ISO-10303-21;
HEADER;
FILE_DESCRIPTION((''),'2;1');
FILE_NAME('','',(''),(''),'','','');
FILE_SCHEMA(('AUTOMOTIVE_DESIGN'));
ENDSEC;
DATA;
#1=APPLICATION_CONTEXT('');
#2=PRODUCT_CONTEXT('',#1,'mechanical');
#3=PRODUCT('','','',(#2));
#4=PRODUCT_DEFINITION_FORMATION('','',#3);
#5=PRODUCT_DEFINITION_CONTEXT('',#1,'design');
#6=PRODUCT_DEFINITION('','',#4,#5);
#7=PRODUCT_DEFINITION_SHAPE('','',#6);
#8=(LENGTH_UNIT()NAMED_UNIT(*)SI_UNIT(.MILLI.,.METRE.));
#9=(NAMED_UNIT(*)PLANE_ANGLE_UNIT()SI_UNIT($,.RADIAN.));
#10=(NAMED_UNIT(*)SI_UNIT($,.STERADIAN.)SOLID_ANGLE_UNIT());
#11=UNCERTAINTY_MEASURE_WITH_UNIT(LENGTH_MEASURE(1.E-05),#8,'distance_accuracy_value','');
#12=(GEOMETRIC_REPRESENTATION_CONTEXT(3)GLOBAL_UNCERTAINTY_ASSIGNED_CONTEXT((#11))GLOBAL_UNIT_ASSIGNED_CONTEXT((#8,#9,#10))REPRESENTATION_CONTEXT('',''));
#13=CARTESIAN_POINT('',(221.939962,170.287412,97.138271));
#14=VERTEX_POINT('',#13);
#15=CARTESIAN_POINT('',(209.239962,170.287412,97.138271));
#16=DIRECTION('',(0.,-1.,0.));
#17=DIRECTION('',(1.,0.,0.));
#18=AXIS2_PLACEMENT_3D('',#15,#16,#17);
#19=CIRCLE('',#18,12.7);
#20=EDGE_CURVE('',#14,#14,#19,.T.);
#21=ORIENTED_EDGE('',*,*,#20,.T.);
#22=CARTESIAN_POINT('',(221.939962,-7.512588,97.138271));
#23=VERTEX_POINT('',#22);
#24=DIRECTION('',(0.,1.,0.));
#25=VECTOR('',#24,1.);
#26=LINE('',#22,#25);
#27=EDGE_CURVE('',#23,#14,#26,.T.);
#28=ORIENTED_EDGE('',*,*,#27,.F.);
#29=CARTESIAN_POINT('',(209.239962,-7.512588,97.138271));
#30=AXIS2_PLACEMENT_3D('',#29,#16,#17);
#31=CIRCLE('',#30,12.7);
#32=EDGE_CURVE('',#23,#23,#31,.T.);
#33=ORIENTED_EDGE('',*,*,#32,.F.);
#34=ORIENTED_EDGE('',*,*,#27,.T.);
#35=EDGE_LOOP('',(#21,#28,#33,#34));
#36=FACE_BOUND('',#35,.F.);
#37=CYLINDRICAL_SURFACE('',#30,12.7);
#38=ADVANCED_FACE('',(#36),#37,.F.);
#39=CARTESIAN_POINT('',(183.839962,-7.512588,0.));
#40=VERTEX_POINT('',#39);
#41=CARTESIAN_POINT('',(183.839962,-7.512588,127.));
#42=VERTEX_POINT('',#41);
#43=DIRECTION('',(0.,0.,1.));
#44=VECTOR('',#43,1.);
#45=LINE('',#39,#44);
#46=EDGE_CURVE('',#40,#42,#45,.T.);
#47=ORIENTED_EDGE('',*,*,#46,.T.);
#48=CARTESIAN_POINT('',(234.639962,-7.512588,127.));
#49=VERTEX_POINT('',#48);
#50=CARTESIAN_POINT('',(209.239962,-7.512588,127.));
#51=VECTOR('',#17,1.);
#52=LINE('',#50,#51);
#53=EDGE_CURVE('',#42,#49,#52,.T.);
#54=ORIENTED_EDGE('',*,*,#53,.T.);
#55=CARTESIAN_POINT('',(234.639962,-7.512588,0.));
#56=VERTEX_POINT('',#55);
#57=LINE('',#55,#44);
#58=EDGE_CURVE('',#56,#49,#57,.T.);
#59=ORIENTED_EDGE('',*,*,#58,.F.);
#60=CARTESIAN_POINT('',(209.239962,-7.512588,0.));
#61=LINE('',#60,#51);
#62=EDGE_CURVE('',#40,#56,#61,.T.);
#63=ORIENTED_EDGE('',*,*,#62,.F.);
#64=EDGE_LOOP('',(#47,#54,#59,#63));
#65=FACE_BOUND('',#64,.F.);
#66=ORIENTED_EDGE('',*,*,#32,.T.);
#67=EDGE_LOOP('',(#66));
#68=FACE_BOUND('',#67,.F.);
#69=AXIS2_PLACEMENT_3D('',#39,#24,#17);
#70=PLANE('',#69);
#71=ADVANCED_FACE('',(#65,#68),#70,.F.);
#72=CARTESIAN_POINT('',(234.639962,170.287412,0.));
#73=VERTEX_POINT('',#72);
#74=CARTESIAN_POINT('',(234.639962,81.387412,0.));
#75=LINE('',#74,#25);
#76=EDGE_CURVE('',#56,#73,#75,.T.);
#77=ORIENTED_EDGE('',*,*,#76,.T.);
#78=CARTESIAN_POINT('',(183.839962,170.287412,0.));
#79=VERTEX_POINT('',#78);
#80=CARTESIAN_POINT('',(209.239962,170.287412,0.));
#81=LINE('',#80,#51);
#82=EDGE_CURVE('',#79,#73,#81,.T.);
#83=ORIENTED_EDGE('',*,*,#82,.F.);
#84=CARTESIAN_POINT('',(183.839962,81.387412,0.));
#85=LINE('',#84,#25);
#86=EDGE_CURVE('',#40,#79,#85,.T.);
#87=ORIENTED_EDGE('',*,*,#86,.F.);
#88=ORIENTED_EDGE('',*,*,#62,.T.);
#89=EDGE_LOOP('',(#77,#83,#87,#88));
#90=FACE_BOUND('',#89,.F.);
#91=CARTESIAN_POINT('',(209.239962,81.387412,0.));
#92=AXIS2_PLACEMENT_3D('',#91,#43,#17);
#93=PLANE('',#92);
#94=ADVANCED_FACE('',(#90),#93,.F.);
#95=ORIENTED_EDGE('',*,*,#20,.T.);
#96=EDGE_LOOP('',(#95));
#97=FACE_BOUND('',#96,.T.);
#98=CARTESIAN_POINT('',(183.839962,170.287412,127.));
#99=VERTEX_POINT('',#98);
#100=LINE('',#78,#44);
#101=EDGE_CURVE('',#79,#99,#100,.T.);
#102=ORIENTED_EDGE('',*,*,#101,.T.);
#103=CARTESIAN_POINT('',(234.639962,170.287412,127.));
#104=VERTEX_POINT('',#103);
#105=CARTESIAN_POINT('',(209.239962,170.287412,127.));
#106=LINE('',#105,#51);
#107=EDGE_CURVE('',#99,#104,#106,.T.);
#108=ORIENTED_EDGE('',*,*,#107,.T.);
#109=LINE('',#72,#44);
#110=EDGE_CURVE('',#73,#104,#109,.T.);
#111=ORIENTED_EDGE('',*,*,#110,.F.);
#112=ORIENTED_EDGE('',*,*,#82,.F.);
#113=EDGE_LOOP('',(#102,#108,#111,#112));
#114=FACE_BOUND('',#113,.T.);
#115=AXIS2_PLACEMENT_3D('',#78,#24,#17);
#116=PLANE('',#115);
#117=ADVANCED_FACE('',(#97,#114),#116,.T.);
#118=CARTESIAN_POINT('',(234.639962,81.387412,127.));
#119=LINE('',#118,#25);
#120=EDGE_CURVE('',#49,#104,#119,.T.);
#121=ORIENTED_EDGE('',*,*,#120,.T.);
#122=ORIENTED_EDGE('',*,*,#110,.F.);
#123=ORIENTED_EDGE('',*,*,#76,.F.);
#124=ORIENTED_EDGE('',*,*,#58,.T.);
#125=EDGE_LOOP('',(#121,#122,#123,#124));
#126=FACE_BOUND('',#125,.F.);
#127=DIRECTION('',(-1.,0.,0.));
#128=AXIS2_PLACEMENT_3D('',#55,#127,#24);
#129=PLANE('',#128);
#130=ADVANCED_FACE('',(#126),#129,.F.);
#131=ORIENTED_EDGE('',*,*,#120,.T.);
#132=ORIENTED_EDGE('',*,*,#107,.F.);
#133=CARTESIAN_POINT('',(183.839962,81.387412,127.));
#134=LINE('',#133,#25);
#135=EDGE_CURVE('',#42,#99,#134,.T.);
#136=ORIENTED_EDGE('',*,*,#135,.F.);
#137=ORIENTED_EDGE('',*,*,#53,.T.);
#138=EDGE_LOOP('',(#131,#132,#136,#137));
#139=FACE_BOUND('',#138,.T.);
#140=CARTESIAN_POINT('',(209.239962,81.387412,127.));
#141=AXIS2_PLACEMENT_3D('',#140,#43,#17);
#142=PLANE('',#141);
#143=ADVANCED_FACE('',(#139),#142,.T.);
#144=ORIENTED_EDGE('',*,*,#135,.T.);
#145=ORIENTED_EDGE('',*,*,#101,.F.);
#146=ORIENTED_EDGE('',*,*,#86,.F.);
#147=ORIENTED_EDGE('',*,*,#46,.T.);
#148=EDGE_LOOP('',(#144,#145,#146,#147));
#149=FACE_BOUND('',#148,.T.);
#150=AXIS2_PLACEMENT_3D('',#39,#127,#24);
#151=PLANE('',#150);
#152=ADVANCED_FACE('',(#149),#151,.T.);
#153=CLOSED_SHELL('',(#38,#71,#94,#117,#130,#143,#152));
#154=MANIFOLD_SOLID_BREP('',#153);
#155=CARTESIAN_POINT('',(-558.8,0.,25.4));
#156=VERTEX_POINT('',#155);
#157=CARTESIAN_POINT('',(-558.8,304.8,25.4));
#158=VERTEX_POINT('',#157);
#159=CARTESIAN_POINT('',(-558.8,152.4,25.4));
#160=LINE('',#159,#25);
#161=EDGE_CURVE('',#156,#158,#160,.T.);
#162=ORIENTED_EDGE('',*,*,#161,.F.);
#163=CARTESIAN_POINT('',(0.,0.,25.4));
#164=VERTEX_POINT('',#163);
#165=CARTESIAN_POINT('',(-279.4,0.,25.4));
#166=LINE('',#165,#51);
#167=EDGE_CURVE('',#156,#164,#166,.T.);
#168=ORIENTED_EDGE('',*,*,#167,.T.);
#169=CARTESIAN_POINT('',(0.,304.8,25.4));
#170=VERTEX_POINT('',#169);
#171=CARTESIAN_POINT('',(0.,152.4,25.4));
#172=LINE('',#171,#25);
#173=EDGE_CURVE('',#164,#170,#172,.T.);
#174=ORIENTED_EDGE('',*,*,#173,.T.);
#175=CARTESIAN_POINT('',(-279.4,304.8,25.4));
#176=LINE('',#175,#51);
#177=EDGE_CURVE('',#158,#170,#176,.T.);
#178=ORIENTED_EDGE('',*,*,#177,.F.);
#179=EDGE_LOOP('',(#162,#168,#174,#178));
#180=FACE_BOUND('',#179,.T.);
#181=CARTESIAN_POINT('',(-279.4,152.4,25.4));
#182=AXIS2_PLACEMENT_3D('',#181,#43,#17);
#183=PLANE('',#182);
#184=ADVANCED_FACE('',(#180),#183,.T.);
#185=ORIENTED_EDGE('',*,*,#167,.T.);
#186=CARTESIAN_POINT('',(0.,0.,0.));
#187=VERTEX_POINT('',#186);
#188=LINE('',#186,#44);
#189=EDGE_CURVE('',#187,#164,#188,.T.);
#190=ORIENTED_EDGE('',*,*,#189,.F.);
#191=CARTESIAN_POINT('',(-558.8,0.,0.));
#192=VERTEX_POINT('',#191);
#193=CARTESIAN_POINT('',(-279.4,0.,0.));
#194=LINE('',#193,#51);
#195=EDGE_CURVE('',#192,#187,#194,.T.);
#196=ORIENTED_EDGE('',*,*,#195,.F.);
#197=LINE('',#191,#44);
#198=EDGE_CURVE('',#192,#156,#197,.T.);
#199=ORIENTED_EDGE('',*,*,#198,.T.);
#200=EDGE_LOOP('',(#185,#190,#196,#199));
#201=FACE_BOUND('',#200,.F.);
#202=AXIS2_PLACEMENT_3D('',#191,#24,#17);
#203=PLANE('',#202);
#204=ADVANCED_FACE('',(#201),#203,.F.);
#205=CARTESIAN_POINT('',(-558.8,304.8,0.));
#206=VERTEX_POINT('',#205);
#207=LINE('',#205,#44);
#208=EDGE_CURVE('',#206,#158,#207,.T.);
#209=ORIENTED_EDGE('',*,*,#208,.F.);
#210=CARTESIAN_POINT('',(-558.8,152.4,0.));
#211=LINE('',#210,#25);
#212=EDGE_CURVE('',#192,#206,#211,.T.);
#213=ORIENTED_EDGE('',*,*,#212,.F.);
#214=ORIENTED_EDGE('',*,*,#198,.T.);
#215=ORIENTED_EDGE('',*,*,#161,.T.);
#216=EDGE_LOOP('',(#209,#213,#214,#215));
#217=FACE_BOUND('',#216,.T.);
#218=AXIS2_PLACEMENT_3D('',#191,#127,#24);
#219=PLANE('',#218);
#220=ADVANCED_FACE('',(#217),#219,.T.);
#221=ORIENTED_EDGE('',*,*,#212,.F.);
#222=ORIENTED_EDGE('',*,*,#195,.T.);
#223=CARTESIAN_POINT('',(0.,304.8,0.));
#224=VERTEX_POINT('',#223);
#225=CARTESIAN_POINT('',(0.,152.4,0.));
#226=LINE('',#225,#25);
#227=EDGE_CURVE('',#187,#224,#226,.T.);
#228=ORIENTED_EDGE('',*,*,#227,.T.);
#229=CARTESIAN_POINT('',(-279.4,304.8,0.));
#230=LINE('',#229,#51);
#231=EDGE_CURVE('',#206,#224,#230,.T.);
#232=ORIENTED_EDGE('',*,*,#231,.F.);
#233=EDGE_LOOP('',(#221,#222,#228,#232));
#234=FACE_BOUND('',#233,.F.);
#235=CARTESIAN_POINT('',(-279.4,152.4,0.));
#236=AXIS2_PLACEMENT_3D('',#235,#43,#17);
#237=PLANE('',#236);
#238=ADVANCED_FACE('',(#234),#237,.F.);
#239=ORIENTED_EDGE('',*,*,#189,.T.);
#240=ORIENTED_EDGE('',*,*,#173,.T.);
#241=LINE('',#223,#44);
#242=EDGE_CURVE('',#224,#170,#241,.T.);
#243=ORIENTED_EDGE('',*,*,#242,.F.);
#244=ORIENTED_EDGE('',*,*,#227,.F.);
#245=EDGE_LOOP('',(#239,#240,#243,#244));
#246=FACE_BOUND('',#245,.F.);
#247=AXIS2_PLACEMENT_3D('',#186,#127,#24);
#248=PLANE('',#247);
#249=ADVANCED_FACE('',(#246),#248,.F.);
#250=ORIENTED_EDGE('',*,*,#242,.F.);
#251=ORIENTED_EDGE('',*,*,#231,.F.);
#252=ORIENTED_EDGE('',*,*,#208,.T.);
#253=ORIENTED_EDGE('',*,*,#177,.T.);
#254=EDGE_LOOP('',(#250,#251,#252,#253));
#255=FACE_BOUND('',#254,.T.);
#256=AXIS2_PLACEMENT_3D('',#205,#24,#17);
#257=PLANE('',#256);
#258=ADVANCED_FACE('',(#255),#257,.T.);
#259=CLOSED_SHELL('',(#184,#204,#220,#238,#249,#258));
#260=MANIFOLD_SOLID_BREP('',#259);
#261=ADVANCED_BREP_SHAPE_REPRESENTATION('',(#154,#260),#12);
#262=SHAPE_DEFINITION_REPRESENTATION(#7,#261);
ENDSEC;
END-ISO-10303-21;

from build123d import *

# Parameters (mm, degrees)
F0_W     = 50.8
F0_H     = 177.8
F1_DEPTH = 127
F0_W_2   = 558.8
F0_H_2   = 304.8
F2_DEPTH = 25.4
F3_R     = 12.7
F4_DEPTH = 177.8


with BuildPart() as f1:
    # F0 (on Top) → F1 (new body)
    with BuildSketch(Plane.XY):
        with Locations((209.239962, 81.387412)):
            Rectangle(F0_W, F0_H)
    extrude(amount=F1_DEPTH)

    # F3 (on face) → F4 (cut, through all)
    with BuildSketch(Plane.XZ.offset(7.512588)):
        with Locations((209.239962, 97.138271)):
            Circle(F3_R)
    extrude(amount=-F4_DEPTH, mode=Mode.SUBTRACT)


with BuildPart() as f2:
    # F0 (on Top) → F2 (new body)
    with BuildSketch(Plane.XY):
        with Locations((-279.4, 152.4)):
            Rectangle(F0_W_2, F0_H_2)
    extrude(amount=F2_DEPTH)


solid = Compound([f1.part, f2.part])
